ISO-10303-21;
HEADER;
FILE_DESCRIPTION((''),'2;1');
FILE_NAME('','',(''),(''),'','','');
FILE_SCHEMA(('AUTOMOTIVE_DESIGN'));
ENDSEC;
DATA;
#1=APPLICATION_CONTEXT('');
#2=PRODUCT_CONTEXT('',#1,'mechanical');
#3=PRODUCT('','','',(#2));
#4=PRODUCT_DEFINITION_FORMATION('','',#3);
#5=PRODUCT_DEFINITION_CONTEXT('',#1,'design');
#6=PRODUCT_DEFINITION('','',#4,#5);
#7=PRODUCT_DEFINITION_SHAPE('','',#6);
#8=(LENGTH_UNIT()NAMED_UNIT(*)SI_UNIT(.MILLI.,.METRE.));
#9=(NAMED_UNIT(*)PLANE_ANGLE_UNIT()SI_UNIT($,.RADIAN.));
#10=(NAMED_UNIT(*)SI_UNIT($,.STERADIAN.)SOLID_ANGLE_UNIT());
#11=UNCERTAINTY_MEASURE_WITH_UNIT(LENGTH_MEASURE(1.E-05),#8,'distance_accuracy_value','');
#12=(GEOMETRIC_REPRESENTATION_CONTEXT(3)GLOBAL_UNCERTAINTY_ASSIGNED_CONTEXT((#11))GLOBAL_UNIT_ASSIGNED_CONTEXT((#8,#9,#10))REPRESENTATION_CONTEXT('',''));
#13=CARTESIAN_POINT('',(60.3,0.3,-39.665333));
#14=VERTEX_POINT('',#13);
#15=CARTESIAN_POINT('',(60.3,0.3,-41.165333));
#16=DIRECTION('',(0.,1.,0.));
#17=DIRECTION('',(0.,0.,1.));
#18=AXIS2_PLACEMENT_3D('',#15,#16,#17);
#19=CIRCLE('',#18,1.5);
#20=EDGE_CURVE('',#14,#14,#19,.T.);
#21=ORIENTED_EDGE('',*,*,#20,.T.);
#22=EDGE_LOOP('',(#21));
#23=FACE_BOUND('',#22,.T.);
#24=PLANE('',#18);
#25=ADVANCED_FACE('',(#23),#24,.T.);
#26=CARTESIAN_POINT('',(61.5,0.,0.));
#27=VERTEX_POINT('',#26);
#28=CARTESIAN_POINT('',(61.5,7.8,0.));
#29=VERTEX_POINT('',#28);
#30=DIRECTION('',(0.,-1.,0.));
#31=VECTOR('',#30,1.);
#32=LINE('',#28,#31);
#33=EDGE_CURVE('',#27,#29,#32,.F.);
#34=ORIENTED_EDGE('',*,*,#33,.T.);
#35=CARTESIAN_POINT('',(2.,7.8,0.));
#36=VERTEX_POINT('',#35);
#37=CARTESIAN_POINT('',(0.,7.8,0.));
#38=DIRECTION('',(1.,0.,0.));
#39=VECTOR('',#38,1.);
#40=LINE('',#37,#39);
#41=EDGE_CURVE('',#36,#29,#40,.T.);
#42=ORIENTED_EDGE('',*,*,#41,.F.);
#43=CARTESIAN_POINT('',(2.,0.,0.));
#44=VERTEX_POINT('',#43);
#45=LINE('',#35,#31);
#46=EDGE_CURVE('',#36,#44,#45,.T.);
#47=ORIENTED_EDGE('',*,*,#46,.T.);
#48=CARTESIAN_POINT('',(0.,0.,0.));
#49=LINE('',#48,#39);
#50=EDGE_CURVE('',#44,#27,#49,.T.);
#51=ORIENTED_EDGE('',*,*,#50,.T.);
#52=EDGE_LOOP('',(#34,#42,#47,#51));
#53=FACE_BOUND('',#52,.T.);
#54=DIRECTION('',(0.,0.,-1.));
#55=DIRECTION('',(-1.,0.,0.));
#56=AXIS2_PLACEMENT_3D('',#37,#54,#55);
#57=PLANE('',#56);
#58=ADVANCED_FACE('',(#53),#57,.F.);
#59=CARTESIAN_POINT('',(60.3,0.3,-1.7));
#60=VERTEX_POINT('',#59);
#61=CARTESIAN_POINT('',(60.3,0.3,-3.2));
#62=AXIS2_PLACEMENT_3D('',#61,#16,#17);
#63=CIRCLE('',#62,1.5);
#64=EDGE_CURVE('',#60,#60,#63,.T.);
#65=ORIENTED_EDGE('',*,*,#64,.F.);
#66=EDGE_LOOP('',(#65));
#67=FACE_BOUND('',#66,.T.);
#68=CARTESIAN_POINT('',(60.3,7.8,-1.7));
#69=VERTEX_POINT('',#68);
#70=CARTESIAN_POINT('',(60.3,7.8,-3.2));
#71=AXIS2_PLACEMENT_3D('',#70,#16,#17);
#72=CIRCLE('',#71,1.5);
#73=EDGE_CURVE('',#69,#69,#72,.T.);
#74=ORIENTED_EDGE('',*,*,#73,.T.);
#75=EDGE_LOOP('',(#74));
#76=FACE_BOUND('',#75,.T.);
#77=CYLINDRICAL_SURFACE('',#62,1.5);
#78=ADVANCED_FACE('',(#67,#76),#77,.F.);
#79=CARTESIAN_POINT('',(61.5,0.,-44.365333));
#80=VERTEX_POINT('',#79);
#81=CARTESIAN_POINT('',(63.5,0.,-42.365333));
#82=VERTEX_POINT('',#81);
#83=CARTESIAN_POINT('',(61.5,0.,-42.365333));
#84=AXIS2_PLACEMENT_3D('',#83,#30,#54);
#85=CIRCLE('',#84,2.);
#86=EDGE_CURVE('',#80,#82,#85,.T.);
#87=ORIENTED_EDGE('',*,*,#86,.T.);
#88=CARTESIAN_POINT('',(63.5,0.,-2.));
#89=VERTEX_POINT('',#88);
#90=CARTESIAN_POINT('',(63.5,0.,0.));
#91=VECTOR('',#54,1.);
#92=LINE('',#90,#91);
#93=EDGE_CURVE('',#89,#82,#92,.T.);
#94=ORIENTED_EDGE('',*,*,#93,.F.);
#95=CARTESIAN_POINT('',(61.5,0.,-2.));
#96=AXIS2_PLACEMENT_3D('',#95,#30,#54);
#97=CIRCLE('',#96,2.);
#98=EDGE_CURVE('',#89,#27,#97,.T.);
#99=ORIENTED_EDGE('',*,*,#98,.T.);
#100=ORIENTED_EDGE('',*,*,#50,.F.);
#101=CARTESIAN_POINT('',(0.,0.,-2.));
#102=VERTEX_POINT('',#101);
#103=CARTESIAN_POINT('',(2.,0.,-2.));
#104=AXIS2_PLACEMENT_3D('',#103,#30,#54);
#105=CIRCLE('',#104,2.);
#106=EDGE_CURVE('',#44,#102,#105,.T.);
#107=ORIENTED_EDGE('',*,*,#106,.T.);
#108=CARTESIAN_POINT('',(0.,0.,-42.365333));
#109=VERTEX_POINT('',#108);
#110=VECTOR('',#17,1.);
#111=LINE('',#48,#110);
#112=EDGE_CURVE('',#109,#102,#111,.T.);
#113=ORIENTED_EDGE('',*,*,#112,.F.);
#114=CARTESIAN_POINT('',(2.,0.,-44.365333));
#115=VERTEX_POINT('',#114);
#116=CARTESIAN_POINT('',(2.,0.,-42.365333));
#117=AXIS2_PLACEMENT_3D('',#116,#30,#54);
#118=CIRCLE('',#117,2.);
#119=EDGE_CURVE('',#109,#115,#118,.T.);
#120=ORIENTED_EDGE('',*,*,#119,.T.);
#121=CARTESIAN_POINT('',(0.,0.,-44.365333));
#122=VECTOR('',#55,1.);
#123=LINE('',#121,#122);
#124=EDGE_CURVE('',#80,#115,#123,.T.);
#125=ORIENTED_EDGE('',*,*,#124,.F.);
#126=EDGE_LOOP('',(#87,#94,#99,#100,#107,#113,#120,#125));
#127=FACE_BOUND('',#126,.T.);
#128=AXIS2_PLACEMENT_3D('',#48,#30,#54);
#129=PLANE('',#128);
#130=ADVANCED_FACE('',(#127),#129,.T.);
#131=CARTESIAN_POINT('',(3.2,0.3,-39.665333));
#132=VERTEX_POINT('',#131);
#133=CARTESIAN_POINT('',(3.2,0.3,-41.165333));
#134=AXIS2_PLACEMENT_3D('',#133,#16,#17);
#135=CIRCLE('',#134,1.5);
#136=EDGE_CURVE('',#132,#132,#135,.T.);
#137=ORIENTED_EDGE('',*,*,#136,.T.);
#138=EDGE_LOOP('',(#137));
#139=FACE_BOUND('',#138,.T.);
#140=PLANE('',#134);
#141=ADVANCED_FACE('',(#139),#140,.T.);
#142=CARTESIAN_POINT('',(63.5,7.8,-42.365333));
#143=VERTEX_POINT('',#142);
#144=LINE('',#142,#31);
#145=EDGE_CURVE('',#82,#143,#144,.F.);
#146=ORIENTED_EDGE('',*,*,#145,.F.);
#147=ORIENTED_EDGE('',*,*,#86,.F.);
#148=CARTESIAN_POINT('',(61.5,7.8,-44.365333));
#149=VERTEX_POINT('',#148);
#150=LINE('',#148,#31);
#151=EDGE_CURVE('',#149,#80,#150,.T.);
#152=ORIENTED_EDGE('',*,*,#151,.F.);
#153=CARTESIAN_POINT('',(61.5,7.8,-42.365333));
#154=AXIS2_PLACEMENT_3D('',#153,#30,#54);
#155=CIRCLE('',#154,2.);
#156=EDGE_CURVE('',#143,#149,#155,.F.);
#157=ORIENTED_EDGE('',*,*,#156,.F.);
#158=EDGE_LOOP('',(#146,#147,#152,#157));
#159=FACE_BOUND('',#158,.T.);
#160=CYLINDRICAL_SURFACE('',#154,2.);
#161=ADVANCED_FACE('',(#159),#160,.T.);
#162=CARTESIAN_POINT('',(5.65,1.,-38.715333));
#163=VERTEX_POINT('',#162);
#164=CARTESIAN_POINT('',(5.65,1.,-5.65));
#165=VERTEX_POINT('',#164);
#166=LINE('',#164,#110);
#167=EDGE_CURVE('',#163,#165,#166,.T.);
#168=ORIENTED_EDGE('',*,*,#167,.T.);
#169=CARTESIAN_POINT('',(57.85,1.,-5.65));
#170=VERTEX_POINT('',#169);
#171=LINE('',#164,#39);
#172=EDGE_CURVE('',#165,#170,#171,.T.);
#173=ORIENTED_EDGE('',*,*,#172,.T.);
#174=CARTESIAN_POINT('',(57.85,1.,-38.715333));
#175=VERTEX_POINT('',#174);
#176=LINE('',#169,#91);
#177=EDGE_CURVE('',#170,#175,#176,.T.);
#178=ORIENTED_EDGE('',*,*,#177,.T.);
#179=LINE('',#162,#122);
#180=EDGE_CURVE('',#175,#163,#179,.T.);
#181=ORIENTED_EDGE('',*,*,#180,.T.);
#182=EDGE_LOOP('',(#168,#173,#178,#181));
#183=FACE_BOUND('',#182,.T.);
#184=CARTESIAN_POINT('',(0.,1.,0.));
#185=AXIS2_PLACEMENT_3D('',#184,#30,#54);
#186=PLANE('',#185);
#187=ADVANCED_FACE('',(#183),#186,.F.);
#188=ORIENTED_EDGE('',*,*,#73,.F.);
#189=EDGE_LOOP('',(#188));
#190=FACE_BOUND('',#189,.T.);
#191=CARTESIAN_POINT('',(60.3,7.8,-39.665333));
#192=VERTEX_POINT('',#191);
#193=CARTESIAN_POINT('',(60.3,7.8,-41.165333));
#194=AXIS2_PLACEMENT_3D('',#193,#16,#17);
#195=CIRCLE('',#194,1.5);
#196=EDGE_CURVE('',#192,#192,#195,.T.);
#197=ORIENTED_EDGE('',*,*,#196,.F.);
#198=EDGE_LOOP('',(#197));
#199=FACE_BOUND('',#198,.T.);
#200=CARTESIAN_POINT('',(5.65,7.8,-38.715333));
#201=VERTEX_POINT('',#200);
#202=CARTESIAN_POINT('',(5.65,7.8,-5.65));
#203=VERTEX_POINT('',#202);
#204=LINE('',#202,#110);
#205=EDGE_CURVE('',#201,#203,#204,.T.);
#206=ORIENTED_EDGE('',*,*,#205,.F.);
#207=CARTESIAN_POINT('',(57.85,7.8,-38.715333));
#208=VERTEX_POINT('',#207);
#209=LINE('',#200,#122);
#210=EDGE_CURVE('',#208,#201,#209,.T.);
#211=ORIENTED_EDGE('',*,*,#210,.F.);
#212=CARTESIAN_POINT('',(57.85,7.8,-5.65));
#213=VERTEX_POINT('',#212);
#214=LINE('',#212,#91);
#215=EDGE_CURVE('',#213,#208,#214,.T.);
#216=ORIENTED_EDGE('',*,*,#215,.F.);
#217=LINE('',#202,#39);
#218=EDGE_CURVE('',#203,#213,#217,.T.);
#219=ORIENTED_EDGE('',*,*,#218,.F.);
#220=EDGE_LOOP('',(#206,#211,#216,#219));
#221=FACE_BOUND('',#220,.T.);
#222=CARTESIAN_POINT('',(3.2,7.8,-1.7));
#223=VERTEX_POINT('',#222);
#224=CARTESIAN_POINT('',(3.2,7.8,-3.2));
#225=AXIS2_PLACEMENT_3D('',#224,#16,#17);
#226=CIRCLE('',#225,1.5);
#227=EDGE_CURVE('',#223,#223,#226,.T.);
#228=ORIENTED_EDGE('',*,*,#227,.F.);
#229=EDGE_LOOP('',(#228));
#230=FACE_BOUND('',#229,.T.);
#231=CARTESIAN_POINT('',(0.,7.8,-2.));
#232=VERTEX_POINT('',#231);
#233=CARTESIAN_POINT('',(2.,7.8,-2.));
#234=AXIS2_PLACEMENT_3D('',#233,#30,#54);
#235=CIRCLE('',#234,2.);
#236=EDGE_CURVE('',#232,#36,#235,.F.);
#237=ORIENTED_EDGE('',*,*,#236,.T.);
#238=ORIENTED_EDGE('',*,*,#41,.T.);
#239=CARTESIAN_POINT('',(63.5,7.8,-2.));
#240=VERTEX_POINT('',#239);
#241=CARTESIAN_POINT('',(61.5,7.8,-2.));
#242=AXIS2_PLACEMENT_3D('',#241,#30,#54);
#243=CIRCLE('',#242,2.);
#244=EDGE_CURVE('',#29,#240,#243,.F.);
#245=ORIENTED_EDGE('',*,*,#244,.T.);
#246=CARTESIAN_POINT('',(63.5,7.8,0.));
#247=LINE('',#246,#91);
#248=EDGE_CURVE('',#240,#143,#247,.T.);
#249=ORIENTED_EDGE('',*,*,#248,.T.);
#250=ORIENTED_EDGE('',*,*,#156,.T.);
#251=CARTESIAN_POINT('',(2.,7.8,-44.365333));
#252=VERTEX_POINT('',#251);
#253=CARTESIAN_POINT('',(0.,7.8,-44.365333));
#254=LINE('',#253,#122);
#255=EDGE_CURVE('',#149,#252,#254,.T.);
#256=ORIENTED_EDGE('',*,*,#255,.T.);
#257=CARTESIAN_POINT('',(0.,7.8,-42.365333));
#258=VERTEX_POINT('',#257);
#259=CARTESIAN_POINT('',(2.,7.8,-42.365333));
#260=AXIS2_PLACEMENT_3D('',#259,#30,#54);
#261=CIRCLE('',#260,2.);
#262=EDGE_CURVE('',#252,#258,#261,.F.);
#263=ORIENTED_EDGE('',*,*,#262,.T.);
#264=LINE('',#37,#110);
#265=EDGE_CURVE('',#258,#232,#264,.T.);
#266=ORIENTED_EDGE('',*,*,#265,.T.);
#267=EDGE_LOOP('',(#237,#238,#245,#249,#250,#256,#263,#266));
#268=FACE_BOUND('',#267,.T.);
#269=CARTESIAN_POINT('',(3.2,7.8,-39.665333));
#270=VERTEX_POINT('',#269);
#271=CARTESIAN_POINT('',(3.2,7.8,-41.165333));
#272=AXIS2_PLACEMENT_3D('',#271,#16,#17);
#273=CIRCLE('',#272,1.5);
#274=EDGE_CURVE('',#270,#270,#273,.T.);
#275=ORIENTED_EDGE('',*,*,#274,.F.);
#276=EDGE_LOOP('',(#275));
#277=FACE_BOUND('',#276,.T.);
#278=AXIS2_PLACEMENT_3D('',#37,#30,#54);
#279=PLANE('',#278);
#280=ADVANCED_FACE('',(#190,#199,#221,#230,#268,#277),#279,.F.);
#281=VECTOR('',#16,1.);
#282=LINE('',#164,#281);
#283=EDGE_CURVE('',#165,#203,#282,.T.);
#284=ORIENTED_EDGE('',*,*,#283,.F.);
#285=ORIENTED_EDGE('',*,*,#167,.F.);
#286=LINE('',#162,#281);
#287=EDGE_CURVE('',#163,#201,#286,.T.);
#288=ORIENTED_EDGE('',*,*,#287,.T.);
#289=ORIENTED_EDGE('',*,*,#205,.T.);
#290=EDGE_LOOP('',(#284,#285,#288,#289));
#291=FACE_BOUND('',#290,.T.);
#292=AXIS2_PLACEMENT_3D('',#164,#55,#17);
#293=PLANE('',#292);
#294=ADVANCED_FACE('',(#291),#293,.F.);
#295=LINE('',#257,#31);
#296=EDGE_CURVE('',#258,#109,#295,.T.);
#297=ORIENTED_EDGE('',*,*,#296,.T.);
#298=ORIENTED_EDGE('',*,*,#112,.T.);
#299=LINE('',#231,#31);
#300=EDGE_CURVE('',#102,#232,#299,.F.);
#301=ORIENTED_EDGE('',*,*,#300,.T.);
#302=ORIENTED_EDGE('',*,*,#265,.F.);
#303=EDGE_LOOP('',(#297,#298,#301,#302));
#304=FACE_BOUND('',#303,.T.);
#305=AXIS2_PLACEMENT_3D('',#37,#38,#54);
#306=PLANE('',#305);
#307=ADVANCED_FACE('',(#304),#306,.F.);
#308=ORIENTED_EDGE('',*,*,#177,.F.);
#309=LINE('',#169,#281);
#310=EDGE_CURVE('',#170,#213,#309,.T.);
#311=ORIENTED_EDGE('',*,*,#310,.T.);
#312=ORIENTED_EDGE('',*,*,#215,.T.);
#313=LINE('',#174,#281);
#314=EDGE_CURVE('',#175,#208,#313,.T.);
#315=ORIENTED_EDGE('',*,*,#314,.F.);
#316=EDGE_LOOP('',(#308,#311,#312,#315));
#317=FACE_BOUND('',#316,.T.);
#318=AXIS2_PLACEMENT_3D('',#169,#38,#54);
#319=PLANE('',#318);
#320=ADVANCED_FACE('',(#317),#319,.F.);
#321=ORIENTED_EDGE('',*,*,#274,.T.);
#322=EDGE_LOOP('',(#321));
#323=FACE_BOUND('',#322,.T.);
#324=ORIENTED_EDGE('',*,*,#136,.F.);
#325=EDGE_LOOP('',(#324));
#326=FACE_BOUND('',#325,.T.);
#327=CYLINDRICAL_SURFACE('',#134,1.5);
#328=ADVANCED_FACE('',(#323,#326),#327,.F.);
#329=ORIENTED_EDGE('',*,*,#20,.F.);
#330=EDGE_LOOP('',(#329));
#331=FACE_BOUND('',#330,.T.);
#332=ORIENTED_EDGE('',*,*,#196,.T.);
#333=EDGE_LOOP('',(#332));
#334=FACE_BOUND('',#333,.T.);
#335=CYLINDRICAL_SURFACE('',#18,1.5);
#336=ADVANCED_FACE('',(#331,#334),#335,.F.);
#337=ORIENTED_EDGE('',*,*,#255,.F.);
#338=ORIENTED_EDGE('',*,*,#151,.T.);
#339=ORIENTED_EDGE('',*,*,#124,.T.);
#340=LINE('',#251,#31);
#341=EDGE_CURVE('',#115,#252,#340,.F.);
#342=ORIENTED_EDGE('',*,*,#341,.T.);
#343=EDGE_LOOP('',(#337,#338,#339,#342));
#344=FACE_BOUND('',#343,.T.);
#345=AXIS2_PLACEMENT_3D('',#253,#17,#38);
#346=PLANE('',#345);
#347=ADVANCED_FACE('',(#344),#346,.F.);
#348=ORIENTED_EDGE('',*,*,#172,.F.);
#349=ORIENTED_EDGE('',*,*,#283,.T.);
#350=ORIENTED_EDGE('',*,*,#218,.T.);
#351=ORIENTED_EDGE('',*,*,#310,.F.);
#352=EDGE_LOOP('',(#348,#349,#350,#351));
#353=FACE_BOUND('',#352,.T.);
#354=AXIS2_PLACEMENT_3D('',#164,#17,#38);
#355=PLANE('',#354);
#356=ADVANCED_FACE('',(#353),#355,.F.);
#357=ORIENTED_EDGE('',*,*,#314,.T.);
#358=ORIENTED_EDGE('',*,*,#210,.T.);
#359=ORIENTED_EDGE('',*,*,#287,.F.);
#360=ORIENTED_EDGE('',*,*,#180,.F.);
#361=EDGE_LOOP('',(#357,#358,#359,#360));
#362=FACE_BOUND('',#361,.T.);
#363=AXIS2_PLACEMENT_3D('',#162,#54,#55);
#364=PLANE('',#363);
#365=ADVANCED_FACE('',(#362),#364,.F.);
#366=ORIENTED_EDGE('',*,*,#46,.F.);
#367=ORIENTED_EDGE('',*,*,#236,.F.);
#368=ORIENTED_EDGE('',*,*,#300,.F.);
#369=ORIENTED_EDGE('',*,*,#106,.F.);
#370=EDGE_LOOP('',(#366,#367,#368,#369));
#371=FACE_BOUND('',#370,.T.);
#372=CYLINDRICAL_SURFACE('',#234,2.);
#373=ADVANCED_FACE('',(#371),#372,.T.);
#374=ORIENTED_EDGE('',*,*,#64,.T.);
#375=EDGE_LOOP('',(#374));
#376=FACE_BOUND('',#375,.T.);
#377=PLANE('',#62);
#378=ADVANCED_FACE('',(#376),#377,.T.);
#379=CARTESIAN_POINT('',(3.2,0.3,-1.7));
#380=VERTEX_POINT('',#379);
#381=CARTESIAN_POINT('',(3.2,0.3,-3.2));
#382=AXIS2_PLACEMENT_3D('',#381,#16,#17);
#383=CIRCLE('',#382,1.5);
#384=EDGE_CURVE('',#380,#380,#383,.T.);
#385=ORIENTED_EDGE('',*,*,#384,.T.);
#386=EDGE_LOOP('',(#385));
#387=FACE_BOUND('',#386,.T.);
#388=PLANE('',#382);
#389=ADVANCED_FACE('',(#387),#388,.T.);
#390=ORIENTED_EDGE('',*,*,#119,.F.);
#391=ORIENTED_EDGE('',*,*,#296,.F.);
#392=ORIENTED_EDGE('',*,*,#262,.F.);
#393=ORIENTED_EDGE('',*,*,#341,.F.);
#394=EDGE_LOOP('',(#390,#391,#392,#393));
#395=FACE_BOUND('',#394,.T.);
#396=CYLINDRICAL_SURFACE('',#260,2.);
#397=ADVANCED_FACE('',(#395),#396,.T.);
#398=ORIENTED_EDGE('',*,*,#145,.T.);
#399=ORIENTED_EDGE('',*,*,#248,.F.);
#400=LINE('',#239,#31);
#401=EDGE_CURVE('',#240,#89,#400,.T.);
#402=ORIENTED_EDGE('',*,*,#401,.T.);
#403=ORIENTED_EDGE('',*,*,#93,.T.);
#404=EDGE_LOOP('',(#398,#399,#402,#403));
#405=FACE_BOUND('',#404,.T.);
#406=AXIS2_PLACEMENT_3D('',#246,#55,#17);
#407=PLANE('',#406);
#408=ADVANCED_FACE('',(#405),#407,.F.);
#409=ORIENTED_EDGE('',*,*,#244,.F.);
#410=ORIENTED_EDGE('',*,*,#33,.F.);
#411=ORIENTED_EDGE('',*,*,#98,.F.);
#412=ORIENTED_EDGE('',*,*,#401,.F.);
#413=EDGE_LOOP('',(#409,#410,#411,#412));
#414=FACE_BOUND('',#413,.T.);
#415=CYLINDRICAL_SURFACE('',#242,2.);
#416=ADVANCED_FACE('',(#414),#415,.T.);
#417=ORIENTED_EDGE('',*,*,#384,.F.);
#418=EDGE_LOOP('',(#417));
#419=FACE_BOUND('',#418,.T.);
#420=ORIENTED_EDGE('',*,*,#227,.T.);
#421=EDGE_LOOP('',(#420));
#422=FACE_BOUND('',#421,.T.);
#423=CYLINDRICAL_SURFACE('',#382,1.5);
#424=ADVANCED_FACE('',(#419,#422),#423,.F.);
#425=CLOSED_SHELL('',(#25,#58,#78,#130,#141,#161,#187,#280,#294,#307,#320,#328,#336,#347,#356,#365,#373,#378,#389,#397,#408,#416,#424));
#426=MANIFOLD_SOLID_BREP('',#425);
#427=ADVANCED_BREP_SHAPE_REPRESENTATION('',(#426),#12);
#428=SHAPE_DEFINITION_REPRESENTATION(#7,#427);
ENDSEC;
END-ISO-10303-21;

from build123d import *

# Parameters (mm, degrees)
SKETCH1_W           = 63.5
SKETCH1_H           = 44.36533334
BOSS_EXTRUDE1_DEPTH = 7.8
SKETCH2_W           = 52.20000001
SKETCH2_H           = 33.06533334
CUT_EXTRUDE1_DEPTH  = 6.8
SKETCH3_R           = 1.5
SKETCH3_R_2         = 1.50000001
CUT_EXTRUDE2_DEPTH  = 7.5
FILLET1_R           = 2


with BuildPart() as part:
    # Sketch1 → Boss-Extrude1 (new body)
    with BuildSketch(Plane(origin=(0, 0, 0), x_dir=(1, 0, 0), z_dir=(0, 1, 0))):
        with Locations((31.75, 22.18266667)):
            Rectangle(SKETCH1_W, SKETCH1_H)
    extrude(amount=BOSS_EXTRUDE1_DEPTH)

    # Sketch2 → Cut-Extrude1 (cut)
    with BuildSketch(Plane(origin=(0, 7.8, 0), x_dir=(1, 0, 0), z_dir=(0, 1, 0))):
        with Locations((31.750000005, 22.18266667)):
            Rectangle(SKETCH2_W, SKETCH2_H)
    extrude(amount=-CUT_EXTRUDE1_DEPTH, mode=Mode.SUBTRACT)

    # Sketch3 → Cut-Extrude2 (cut)
    with BuildSketch(Plane(origin=(0, 7.8, 0), x_dir=(1, 0, 0), z_dir=(0, 1, 0))):
        with Locations(Location((3.2, 3.2, 0), (0, 0, 270))):
            Circle(SKETCH3_R)
        with Locations(Location((3.2, 41.16533334, 0), (0, 0, 270))):
            Circle(SKETCH3_R)
        with Locations(Location((60.3, 41.16533334, 0), (0, 0, 270))):
            Circle(SKETCH3_R_2)
        with Locations(Location((60.3, 3.2, 0), (0, 0, 270))):
            Circle(SKETCH3_R_2)
    extrude(amount=-CUT_EXTRUDE2_DEPTH, mode=Mode.SUBTRACT)

    # Fillet1
    fillet1_edges = [part.edges().sort_by_distance(p)[0] for p in [
        (0, 3.9, -44.36533334),
        (63.5, 3.9, -44.36533334),
        (63.5, 3.9, 0),
        (0, 3.9, 0),
    ]]
    fillet(fillet1_edges, radius=FILLET1_R)


solid = part.part
